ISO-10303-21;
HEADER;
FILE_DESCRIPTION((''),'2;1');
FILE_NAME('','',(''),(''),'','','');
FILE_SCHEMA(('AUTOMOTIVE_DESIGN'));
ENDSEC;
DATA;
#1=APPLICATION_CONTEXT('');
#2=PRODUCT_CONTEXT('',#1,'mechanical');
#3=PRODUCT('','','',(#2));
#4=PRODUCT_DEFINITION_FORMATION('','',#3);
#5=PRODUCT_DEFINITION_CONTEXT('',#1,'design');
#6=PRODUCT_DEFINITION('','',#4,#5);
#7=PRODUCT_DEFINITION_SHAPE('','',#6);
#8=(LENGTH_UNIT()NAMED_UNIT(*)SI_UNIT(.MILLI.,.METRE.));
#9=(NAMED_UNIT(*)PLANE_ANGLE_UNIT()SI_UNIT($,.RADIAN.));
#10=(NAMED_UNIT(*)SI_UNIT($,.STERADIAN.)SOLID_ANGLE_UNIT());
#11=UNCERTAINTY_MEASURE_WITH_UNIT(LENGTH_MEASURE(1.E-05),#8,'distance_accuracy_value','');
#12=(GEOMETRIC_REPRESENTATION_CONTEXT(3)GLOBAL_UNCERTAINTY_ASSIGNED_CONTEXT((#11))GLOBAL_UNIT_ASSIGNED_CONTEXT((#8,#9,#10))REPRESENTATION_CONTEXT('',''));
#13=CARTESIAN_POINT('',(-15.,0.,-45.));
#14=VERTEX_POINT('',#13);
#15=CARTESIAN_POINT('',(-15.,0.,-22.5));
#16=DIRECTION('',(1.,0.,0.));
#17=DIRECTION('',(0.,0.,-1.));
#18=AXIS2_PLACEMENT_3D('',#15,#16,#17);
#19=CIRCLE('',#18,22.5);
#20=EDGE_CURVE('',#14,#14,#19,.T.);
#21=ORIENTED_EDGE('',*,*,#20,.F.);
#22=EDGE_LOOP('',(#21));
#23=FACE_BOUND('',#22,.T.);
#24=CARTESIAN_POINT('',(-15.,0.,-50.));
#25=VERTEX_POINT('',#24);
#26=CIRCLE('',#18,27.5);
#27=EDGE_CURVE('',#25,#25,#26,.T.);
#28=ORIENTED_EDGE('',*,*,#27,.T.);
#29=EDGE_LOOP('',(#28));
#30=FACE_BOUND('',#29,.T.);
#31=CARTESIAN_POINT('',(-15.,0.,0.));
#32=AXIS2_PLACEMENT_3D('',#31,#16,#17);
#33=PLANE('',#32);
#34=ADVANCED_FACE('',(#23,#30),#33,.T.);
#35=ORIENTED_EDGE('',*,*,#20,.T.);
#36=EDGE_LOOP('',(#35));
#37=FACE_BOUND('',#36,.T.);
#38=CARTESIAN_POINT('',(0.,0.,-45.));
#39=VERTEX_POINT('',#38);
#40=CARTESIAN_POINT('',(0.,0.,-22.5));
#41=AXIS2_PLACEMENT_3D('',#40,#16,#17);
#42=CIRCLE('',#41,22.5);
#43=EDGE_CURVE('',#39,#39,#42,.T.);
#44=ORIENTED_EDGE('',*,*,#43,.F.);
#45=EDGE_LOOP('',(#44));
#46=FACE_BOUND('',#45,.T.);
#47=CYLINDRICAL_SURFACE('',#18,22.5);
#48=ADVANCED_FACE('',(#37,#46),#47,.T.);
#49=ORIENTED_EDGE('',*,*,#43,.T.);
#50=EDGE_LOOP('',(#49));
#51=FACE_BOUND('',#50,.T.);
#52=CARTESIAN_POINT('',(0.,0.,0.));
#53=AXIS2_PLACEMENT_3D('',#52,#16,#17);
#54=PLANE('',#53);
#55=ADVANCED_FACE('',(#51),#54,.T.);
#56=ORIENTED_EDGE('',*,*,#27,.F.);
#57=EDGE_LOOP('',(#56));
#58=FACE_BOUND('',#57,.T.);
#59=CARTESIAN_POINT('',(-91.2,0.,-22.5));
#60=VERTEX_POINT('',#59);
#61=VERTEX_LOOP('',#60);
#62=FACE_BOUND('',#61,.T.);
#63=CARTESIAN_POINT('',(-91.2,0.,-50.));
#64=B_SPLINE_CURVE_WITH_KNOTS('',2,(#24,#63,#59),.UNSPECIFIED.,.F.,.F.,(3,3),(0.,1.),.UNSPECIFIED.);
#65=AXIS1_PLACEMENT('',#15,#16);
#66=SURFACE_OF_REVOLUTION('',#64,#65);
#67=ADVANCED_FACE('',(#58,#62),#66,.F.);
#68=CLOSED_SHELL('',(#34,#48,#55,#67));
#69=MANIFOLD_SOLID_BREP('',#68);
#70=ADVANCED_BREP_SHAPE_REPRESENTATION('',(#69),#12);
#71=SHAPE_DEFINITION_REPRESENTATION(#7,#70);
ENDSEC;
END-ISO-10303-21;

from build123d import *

# Parameters (mm, degrees)
SKETCH1_W = 15
SKETCH1_H = 22.5


with BuildPart() as part:
    # Sketch1 → Revolve2 (revolve)
    with BuildSketch(Plane(origin=(0, 0, 0), x_dir=(1, 0, 0), z_dir=(0, 1, 0))):
        with BuildLine():
            Line((-91.2, 22.5), (-15, 22.5))
            Line((-15, 22.5), (-15, 45))
            Line((-15, 45), (-15, 50))
            add(Edge.make_bspline(
                [(-15, 50), (-91.2, 50), (-91.2, 22.5)],
                knots=[0, 0, 0, 1, 1, 1], degree=2))
        make_face()
        with Locations((-7.5, 33.75)):
            Rectangle(SKETCH1_W, SKETCH1_H)
    revolve(axis=Axis((-15, 0, -22.5), (-1, 0, 0)))


solid = part.part
